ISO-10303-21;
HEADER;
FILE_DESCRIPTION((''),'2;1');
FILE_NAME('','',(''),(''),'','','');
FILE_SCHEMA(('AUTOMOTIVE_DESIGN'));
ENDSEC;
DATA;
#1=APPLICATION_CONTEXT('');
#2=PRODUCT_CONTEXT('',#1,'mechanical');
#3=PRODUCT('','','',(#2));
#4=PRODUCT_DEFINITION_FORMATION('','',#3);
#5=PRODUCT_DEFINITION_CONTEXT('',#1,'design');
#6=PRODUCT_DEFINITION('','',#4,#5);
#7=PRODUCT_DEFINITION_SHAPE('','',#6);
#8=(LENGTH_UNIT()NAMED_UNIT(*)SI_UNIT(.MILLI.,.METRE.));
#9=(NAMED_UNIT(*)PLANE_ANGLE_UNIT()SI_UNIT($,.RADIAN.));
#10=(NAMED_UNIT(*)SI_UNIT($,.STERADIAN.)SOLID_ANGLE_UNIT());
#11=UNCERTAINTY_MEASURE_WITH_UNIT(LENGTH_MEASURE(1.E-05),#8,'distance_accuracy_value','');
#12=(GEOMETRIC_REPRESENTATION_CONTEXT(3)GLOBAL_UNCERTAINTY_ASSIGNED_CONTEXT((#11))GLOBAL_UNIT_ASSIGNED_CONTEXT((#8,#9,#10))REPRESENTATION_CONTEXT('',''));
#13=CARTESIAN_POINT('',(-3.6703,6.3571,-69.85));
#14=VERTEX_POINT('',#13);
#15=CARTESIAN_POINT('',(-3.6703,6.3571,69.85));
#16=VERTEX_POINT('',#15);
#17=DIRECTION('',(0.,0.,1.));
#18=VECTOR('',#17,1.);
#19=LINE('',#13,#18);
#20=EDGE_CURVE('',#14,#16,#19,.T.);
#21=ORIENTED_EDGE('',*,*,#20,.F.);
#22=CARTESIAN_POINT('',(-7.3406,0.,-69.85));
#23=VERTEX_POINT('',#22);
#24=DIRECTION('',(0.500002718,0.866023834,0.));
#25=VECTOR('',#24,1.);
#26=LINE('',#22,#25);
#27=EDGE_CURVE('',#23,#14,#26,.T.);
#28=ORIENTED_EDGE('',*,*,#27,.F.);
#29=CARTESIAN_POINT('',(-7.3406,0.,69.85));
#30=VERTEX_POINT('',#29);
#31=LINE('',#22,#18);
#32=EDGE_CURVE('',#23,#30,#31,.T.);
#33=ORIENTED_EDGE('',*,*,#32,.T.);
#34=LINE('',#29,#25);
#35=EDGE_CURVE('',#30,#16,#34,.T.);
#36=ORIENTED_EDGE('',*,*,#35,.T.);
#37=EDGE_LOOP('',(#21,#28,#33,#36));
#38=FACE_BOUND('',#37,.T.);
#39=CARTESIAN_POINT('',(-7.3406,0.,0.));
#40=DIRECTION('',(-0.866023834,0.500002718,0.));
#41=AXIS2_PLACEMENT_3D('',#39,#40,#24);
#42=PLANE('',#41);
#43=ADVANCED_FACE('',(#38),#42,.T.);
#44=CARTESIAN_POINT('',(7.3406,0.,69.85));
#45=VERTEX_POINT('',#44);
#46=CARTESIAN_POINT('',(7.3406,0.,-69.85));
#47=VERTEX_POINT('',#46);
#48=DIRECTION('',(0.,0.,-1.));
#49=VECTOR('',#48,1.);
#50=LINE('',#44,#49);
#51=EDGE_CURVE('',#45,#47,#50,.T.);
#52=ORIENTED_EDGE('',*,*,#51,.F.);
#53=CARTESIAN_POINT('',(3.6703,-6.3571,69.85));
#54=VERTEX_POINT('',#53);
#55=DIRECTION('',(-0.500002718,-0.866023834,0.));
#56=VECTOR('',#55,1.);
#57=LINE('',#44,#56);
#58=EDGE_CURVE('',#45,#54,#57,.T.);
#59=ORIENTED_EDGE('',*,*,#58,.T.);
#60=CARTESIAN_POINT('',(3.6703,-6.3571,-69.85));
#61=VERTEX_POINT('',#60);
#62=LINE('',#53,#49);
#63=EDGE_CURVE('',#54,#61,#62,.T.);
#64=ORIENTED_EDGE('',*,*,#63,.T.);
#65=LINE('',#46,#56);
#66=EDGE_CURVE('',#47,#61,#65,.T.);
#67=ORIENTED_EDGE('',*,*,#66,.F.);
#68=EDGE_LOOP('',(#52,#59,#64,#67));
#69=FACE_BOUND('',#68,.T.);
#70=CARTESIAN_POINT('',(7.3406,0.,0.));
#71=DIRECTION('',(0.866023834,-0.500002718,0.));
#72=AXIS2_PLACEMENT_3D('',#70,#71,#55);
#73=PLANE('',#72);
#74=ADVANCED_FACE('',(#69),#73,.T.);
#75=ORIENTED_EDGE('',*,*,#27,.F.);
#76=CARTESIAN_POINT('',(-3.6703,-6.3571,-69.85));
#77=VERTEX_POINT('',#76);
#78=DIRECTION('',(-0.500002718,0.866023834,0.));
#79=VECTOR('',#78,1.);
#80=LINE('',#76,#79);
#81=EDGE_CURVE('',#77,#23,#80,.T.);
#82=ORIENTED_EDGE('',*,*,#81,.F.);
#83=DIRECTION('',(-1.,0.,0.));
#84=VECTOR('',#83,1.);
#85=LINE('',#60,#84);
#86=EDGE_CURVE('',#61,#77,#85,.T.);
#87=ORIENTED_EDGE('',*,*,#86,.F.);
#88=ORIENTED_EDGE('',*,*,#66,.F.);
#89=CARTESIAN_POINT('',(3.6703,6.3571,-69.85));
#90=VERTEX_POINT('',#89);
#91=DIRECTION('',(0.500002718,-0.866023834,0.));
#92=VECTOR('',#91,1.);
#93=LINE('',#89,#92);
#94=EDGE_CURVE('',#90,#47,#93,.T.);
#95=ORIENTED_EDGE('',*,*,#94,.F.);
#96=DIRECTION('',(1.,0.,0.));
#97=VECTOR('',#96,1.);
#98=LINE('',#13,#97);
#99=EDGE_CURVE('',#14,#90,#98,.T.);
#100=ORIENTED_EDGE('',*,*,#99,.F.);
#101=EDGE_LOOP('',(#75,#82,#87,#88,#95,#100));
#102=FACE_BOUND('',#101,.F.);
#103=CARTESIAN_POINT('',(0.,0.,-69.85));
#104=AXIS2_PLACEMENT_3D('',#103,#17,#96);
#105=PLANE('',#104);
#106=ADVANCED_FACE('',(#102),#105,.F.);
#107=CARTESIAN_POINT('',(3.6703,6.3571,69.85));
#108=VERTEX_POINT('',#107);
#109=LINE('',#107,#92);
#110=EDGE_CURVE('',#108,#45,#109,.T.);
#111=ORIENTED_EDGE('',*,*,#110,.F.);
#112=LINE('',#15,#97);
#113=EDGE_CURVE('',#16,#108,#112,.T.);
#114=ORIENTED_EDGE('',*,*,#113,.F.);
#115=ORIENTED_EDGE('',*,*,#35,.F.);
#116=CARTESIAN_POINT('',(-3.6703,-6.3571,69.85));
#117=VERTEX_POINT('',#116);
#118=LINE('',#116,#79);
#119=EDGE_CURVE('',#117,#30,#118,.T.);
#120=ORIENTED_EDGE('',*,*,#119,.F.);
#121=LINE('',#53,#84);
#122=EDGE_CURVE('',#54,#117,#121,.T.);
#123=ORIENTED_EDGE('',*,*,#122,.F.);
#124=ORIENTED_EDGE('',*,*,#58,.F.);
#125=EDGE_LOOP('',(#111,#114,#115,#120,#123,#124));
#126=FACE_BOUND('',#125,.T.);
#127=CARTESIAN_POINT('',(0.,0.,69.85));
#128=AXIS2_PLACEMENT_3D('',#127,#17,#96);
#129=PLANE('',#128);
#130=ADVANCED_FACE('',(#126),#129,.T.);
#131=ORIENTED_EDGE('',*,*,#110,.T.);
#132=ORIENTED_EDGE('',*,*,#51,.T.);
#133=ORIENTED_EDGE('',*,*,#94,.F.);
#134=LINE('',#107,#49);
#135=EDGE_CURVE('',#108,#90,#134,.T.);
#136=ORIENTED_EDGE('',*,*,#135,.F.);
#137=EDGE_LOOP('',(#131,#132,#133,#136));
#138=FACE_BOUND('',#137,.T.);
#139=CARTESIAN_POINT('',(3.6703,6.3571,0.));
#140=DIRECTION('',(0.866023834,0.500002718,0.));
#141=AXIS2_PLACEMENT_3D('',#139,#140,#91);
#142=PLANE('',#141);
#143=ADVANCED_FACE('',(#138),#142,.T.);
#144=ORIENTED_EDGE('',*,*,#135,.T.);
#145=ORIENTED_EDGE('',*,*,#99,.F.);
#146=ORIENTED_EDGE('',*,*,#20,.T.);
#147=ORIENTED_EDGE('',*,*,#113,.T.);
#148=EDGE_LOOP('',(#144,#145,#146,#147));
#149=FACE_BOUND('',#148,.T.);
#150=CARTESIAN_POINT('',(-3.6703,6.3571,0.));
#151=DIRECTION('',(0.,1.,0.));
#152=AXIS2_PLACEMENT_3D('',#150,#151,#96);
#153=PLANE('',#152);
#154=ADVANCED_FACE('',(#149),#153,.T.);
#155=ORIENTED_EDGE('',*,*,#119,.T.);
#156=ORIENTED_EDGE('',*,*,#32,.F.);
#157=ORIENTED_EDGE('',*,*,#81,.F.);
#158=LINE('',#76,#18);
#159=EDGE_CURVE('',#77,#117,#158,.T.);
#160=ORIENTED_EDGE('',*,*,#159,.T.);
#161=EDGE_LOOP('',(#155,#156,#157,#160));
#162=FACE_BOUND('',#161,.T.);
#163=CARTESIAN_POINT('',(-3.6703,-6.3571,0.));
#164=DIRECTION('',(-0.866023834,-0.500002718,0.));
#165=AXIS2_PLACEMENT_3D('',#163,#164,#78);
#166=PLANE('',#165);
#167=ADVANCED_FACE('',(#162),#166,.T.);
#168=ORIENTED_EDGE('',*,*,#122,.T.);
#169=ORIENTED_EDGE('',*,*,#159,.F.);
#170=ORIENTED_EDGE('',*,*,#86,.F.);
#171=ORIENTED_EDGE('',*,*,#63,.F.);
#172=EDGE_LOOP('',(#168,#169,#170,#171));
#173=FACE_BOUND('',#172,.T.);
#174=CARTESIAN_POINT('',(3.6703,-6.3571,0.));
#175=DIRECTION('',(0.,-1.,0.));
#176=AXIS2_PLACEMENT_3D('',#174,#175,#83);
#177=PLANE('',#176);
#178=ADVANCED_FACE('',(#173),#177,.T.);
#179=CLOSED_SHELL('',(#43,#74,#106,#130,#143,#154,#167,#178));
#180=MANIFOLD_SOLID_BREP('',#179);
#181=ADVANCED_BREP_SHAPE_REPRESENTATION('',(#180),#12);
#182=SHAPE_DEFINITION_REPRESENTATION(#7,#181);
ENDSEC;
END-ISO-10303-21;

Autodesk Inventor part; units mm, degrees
ref_plane "YZ Plane" through (0, 0, 0) normal (1, 0, 0) x (0, 1, 0)
ref_plane "XZ Plane" through (0, 0, 0) normal (0, 1, 0) x (-1, 0, 0)
ref_plane "XY Plane" through (0, 0, 0) normal (0, 0, 1) x (1, 0, 0)
sketch "Sketch1" plane through (0, 0, 0) normal (0, 0, 1) x (1, 0, 0)
  line L0 (-3.6703, 6.3571) -> (3.6703, 6.3571)
  line L1 (3.6703, 6.3571) -> (7.3406, 0)
  line L2 (7.3406, 0) -> (3.6703, -6.3571)
  line L3 (3.6703, -6.3571) -> (-3.6703, -6.3571)
  line L4 (-3.6703, -6.3571) -> (-7.3406, 0)
  line L5 (-7.3406, 0) -> (-3.6703, 6.3571)
  point P0 (0, 0)
  point P1 (0, 0)
  dimension "d0" = 7.3406
extrude "Extrusion1" add sketch "Sketch1" along normal mid plane 139.7
properties part number "Drivetrain_hex_shaft"
